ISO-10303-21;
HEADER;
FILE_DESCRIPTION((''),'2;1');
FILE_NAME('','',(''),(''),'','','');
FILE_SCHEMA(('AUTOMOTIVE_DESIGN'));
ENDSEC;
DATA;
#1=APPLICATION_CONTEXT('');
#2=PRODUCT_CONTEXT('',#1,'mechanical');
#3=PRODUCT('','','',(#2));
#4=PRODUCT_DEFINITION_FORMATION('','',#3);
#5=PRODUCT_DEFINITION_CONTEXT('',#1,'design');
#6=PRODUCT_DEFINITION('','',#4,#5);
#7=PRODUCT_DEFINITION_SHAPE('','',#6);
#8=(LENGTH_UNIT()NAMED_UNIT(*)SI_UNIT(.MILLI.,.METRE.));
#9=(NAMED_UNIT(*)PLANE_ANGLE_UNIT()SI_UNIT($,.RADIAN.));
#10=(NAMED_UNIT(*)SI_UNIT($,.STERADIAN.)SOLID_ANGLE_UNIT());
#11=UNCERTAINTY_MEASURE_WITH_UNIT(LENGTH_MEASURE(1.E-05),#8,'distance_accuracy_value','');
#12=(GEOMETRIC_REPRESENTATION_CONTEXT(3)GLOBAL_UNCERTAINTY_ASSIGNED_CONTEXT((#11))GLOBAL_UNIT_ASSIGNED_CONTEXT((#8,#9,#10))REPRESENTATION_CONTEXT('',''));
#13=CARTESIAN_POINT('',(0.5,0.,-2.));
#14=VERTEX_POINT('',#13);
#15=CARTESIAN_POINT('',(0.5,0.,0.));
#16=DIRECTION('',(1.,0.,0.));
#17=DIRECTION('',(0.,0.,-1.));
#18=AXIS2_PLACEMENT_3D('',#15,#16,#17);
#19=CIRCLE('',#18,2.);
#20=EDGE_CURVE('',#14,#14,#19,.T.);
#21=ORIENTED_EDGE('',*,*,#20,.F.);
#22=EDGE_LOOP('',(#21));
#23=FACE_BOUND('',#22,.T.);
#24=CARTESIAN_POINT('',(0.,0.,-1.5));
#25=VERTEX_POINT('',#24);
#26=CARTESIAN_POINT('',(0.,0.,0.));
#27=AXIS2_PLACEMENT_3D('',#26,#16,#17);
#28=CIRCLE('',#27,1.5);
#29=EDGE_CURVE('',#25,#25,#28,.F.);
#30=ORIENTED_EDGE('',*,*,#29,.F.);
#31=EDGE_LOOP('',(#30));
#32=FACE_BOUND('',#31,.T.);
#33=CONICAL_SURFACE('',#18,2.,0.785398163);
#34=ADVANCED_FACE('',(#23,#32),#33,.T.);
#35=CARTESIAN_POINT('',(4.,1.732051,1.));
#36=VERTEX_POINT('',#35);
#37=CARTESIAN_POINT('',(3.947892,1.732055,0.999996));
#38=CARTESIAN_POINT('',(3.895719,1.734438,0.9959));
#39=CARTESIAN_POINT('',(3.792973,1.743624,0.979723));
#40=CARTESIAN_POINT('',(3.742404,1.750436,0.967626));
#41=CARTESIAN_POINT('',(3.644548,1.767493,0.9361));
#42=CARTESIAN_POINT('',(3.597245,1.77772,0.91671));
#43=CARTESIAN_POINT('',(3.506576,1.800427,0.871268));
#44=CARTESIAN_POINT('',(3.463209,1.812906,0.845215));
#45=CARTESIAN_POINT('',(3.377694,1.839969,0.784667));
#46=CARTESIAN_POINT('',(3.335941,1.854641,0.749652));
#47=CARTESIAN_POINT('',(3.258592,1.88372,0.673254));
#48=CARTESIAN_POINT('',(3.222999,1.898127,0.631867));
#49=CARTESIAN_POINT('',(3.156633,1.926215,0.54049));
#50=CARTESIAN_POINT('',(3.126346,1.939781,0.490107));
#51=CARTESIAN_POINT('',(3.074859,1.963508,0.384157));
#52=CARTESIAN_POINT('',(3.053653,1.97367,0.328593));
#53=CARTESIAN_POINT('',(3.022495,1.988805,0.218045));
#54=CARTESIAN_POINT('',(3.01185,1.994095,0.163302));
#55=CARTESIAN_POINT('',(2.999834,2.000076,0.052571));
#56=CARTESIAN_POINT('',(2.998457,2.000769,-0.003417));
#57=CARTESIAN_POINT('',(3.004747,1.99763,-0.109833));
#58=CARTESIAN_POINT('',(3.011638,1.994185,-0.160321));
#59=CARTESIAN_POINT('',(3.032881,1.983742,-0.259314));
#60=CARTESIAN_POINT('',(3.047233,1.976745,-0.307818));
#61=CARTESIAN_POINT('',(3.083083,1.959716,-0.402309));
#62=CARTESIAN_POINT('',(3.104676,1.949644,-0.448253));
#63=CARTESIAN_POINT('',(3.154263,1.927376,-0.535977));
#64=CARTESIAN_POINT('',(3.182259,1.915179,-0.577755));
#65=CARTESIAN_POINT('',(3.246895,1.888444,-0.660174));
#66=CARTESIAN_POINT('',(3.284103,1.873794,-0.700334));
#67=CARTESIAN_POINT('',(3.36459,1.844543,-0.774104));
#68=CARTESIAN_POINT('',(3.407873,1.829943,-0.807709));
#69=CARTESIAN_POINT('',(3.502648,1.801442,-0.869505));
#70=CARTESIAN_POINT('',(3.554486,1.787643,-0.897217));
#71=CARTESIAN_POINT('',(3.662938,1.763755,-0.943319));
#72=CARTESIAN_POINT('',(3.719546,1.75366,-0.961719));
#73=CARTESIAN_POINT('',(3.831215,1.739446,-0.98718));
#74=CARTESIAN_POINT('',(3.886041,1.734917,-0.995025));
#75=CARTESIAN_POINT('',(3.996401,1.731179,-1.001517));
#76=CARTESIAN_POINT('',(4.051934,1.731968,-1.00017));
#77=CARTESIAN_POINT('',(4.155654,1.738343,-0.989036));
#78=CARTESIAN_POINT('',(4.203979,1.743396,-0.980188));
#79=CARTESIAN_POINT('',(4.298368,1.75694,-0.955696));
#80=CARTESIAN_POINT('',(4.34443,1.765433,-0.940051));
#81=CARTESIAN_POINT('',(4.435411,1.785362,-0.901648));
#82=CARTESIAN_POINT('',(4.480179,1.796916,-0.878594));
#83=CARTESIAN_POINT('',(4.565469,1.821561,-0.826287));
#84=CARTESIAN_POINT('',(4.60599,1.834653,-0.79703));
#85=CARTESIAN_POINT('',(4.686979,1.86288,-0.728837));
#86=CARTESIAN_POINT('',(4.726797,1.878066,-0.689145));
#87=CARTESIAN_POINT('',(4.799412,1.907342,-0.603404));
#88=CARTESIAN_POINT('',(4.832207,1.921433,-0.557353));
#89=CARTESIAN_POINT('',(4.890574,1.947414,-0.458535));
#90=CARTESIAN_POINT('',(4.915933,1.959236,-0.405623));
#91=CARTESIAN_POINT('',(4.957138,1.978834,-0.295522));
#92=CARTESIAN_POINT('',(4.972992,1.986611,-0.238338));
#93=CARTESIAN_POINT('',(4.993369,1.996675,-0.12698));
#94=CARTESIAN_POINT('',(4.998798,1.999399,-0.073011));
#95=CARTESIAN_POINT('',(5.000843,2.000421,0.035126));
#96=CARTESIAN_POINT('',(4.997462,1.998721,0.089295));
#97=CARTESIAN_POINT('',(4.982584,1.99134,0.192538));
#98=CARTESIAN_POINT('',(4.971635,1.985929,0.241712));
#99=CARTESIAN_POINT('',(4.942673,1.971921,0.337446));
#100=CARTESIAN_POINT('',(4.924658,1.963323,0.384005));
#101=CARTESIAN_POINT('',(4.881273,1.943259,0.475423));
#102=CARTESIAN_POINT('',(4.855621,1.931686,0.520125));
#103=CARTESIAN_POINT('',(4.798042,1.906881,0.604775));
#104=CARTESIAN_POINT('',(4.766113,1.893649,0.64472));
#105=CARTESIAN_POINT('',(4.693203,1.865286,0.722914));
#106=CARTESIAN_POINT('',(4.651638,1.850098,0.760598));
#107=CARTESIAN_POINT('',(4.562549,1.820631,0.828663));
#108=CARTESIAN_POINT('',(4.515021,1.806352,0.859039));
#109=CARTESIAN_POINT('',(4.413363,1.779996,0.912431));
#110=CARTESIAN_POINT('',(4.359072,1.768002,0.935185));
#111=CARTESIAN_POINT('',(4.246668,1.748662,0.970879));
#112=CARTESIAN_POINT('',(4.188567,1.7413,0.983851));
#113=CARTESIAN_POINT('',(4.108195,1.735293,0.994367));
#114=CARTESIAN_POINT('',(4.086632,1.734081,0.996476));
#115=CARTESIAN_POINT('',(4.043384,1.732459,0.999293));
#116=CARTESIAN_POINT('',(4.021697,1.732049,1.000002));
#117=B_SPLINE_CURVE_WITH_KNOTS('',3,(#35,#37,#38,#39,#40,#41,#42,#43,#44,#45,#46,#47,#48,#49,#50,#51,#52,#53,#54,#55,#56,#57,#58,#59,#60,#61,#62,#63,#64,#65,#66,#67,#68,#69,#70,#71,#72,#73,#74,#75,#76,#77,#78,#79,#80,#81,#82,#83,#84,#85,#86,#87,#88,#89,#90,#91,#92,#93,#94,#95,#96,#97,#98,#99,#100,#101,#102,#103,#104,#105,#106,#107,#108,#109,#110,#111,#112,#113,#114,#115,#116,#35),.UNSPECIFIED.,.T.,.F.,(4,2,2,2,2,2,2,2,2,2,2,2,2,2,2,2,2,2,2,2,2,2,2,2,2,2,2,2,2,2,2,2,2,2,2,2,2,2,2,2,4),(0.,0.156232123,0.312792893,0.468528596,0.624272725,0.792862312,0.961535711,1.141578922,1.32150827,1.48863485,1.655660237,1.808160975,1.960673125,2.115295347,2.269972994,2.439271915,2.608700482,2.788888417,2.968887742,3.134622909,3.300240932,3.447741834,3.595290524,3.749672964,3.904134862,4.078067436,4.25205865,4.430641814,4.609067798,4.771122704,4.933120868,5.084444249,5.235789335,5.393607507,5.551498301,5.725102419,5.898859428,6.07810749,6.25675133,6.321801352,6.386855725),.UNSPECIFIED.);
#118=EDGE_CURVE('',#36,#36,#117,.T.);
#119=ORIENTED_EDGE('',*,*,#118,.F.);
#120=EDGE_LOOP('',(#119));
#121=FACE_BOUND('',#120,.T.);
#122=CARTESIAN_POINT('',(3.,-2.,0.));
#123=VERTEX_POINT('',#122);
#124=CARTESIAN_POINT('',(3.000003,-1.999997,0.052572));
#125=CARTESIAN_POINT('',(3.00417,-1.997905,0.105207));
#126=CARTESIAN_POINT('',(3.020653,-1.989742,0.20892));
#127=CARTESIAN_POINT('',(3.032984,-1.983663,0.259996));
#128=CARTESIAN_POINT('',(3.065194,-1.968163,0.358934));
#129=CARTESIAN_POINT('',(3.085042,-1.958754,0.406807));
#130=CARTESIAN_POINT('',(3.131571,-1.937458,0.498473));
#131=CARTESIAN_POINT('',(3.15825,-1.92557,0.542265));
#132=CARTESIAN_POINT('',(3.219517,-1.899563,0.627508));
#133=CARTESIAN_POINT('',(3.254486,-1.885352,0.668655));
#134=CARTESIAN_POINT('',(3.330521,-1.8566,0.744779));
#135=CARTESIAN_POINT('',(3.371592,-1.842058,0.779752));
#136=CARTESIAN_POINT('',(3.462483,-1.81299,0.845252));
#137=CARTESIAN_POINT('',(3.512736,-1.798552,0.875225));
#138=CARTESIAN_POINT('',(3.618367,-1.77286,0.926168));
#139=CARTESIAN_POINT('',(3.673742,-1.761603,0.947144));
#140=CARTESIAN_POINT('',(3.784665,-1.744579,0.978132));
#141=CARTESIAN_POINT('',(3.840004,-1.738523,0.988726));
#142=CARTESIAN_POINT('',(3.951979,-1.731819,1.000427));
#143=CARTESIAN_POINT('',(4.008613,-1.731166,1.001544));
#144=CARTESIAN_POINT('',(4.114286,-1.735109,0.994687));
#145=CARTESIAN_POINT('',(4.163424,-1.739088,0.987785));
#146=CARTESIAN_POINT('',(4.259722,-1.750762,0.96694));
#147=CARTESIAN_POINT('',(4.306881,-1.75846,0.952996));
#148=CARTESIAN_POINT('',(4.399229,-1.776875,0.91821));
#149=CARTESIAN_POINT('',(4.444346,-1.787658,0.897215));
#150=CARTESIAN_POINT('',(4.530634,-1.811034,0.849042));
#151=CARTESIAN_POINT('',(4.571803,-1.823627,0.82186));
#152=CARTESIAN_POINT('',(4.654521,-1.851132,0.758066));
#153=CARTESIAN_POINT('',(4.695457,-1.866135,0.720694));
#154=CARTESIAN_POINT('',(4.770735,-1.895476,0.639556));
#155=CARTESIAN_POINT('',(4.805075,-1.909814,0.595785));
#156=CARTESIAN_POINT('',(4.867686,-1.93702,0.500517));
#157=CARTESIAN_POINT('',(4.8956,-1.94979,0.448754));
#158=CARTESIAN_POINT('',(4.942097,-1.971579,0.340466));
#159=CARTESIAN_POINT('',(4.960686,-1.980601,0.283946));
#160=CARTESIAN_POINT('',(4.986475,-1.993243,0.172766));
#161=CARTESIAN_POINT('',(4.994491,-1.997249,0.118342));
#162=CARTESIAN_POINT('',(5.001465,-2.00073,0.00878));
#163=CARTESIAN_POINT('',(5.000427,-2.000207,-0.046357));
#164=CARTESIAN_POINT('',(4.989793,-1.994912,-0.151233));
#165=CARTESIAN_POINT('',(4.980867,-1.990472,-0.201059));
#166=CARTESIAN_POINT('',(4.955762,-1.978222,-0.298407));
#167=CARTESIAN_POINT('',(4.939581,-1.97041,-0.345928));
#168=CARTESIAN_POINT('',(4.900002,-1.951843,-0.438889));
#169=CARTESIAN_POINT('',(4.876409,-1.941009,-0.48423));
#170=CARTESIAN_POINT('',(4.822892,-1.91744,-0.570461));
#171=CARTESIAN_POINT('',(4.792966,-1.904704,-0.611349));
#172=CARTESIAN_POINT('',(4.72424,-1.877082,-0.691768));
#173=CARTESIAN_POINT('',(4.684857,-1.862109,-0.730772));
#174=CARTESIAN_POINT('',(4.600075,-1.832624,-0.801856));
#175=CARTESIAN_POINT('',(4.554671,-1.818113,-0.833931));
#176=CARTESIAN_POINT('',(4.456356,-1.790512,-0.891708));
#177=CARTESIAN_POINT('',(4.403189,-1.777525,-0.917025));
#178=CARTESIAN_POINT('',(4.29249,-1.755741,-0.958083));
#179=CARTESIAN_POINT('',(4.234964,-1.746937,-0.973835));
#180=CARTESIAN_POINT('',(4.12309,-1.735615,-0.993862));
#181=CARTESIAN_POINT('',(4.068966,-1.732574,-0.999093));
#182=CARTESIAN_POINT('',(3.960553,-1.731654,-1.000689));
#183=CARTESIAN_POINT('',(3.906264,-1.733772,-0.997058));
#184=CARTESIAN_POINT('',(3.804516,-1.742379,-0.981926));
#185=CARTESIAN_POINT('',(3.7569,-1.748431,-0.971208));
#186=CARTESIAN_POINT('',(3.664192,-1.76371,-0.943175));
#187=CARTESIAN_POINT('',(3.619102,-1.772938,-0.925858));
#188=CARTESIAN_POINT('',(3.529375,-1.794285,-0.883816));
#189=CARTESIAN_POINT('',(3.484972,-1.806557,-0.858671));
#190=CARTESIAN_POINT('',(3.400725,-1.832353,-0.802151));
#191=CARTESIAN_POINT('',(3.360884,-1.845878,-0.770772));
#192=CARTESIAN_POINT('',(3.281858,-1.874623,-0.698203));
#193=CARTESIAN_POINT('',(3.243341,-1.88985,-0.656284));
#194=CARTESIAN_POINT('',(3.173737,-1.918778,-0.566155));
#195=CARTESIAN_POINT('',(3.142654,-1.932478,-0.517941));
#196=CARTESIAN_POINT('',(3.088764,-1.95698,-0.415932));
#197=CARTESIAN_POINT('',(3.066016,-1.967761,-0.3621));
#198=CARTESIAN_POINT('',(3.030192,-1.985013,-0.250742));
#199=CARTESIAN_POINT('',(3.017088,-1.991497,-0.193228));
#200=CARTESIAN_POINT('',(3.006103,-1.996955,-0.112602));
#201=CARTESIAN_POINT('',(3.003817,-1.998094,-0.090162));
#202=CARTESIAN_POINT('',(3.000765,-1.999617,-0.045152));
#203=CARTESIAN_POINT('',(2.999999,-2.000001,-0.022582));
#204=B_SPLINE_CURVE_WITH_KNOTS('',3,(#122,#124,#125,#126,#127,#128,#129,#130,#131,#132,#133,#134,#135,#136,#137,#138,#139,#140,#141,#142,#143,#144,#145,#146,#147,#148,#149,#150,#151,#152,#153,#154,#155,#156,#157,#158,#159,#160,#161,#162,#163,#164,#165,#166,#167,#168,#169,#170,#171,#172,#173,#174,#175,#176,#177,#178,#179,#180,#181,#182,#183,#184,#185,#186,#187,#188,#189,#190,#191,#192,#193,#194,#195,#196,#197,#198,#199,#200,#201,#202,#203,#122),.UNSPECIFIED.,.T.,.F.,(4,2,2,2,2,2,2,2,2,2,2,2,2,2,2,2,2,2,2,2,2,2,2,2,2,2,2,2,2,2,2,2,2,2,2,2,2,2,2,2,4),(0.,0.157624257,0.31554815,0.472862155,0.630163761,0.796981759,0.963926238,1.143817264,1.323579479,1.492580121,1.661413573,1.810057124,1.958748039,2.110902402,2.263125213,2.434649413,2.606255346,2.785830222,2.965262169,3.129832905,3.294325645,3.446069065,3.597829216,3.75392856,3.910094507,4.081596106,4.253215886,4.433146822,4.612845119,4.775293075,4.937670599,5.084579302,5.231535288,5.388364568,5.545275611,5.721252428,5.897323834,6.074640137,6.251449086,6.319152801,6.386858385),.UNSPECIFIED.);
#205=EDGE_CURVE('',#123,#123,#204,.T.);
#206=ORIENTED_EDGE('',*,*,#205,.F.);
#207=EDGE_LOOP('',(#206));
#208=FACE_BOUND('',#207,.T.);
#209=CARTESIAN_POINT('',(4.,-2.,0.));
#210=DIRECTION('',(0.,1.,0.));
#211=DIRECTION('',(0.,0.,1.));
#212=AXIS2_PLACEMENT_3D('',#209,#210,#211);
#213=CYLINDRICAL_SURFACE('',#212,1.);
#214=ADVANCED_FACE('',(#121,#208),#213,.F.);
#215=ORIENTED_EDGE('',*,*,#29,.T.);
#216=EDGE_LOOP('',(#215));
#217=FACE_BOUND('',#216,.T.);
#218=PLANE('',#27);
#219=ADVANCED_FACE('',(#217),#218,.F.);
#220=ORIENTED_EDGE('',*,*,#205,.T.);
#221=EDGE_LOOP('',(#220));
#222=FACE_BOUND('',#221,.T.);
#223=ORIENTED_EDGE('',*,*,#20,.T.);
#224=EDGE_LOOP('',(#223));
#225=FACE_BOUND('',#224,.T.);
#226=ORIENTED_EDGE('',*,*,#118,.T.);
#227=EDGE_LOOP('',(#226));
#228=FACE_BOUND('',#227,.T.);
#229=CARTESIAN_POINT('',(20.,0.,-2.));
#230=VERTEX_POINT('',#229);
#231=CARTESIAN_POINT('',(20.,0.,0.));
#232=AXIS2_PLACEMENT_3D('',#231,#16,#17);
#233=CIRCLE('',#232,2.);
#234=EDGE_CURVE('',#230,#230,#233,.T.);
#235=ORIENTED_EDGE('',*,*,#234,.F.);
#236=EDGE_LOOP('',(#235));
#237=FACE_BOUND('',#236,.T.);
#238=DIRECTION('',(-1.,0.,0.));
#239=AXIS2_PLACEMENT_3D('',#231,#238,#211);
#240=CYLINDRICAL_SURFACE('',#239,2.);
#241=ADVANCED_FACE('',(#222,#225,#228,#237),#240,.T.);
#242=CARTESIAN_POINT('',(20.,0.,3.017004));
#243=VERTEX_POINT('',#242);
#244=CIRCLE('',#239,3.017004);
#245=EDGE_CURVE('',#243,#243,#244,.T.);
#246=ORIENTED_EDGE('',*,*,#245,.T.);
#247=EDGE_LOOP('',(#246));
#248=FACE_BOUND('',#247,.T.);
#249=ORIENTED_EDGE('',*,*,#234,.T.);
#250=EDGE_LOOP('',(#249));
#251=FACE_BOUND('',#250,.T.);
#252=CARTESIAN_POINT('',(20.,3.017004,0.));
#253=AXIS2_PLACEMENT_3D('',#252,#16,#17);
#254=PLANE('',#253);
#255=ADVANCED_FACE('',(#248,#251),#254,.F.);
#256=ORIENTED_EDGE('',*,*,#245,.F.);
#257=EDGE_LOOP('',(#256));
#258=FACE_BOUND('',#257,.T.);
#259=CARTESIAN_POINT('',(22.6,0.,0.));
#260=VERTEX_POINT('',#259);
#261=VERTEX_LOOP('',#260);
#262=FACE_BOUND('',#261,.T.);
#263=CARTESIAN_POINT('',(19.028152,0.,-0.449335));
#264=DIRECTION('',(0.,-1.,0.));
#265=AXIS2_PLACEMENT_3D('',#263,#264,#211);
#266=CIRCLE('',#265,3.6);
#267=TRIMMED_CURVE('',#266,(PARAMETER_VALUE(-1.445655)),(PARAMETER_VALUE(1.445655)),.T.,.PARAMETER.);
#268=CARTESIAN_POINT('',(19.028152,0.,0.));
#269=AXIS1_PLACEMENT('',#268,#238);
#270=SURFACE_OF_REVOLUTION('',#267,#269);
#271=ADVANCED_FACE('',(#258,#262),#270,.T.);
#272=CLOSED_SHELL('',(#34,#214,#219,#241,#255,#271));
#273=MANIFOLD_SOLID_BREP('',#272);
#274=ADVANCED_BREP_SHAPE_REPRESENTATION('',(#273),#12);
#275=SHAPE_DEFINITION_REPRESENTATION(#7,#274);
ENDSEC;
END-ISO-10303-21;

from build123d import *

# Parameters (mm, degrees)
SKETCH1_R               = 2
BOSS_EXTRUDE1_DEPTH     = 20
CHAMFER1_SIZE           = 0.5
SKETCH2_R               = 1
CUT_EXTRUDE1_DEPTH      = 3
CUT_EXTRUDE1_DEPTH_BACK = 3


with BuildPart() as part:
    # Sketch1 → Boss-Extrude1 (new body)
    with BuildSketch(Plane(origin=(0, 0, 0), x_dir=(0, 0, -1), z_dir=(1, 0, 0))):
        Circle(SKETCH1_R)
    extrude(amount=BOSS_EXTRUDE1_DEPTH)

    # Chamfer1
    chamfer1_edges = [part.edges().sort_by_distance(p)[0] for p in [
        (0, 0, 2),
    ]]
    chamfer(chamfer1_edges, length=CHAMFER1_SIZE)

    # Sketch2 → Cut-Extrude1 (cut, two sides)
    with BuildSketch(Plane(origin=(0, 0, 0), x_dir=(1, 0, 0), z_dir=(0, 1, 0))) as cut_extrude1_sk:
        with Locations((4, 0)):
            Circle(SKETCH2_R)
    extrude(amount=CUT_EXTRUDE1_DEPTH, mode=Mode.SUBTRACT)
    extrude(cut_extrude1_sk.sketch, amount=-CUT_EXTRUDE1_DEPTH_BACK, mode=Mode.SUBTRACT)

    # Sketch4 → Revolve1 (revolve)
    with BuildSketch(Plane.XY):
        with BuildLine():
            Line((20, 3.017004448), (20, 0))
            Line((20, 0), (22.6, 0))
            ThreePointArc((22.6, 0), (21.755214952, 1.900798256), (20, 3.017004448))
        make_face()
    revolve(axis=Axis((19, 0, 0), (1, 0, 0)))


solid = part.part
